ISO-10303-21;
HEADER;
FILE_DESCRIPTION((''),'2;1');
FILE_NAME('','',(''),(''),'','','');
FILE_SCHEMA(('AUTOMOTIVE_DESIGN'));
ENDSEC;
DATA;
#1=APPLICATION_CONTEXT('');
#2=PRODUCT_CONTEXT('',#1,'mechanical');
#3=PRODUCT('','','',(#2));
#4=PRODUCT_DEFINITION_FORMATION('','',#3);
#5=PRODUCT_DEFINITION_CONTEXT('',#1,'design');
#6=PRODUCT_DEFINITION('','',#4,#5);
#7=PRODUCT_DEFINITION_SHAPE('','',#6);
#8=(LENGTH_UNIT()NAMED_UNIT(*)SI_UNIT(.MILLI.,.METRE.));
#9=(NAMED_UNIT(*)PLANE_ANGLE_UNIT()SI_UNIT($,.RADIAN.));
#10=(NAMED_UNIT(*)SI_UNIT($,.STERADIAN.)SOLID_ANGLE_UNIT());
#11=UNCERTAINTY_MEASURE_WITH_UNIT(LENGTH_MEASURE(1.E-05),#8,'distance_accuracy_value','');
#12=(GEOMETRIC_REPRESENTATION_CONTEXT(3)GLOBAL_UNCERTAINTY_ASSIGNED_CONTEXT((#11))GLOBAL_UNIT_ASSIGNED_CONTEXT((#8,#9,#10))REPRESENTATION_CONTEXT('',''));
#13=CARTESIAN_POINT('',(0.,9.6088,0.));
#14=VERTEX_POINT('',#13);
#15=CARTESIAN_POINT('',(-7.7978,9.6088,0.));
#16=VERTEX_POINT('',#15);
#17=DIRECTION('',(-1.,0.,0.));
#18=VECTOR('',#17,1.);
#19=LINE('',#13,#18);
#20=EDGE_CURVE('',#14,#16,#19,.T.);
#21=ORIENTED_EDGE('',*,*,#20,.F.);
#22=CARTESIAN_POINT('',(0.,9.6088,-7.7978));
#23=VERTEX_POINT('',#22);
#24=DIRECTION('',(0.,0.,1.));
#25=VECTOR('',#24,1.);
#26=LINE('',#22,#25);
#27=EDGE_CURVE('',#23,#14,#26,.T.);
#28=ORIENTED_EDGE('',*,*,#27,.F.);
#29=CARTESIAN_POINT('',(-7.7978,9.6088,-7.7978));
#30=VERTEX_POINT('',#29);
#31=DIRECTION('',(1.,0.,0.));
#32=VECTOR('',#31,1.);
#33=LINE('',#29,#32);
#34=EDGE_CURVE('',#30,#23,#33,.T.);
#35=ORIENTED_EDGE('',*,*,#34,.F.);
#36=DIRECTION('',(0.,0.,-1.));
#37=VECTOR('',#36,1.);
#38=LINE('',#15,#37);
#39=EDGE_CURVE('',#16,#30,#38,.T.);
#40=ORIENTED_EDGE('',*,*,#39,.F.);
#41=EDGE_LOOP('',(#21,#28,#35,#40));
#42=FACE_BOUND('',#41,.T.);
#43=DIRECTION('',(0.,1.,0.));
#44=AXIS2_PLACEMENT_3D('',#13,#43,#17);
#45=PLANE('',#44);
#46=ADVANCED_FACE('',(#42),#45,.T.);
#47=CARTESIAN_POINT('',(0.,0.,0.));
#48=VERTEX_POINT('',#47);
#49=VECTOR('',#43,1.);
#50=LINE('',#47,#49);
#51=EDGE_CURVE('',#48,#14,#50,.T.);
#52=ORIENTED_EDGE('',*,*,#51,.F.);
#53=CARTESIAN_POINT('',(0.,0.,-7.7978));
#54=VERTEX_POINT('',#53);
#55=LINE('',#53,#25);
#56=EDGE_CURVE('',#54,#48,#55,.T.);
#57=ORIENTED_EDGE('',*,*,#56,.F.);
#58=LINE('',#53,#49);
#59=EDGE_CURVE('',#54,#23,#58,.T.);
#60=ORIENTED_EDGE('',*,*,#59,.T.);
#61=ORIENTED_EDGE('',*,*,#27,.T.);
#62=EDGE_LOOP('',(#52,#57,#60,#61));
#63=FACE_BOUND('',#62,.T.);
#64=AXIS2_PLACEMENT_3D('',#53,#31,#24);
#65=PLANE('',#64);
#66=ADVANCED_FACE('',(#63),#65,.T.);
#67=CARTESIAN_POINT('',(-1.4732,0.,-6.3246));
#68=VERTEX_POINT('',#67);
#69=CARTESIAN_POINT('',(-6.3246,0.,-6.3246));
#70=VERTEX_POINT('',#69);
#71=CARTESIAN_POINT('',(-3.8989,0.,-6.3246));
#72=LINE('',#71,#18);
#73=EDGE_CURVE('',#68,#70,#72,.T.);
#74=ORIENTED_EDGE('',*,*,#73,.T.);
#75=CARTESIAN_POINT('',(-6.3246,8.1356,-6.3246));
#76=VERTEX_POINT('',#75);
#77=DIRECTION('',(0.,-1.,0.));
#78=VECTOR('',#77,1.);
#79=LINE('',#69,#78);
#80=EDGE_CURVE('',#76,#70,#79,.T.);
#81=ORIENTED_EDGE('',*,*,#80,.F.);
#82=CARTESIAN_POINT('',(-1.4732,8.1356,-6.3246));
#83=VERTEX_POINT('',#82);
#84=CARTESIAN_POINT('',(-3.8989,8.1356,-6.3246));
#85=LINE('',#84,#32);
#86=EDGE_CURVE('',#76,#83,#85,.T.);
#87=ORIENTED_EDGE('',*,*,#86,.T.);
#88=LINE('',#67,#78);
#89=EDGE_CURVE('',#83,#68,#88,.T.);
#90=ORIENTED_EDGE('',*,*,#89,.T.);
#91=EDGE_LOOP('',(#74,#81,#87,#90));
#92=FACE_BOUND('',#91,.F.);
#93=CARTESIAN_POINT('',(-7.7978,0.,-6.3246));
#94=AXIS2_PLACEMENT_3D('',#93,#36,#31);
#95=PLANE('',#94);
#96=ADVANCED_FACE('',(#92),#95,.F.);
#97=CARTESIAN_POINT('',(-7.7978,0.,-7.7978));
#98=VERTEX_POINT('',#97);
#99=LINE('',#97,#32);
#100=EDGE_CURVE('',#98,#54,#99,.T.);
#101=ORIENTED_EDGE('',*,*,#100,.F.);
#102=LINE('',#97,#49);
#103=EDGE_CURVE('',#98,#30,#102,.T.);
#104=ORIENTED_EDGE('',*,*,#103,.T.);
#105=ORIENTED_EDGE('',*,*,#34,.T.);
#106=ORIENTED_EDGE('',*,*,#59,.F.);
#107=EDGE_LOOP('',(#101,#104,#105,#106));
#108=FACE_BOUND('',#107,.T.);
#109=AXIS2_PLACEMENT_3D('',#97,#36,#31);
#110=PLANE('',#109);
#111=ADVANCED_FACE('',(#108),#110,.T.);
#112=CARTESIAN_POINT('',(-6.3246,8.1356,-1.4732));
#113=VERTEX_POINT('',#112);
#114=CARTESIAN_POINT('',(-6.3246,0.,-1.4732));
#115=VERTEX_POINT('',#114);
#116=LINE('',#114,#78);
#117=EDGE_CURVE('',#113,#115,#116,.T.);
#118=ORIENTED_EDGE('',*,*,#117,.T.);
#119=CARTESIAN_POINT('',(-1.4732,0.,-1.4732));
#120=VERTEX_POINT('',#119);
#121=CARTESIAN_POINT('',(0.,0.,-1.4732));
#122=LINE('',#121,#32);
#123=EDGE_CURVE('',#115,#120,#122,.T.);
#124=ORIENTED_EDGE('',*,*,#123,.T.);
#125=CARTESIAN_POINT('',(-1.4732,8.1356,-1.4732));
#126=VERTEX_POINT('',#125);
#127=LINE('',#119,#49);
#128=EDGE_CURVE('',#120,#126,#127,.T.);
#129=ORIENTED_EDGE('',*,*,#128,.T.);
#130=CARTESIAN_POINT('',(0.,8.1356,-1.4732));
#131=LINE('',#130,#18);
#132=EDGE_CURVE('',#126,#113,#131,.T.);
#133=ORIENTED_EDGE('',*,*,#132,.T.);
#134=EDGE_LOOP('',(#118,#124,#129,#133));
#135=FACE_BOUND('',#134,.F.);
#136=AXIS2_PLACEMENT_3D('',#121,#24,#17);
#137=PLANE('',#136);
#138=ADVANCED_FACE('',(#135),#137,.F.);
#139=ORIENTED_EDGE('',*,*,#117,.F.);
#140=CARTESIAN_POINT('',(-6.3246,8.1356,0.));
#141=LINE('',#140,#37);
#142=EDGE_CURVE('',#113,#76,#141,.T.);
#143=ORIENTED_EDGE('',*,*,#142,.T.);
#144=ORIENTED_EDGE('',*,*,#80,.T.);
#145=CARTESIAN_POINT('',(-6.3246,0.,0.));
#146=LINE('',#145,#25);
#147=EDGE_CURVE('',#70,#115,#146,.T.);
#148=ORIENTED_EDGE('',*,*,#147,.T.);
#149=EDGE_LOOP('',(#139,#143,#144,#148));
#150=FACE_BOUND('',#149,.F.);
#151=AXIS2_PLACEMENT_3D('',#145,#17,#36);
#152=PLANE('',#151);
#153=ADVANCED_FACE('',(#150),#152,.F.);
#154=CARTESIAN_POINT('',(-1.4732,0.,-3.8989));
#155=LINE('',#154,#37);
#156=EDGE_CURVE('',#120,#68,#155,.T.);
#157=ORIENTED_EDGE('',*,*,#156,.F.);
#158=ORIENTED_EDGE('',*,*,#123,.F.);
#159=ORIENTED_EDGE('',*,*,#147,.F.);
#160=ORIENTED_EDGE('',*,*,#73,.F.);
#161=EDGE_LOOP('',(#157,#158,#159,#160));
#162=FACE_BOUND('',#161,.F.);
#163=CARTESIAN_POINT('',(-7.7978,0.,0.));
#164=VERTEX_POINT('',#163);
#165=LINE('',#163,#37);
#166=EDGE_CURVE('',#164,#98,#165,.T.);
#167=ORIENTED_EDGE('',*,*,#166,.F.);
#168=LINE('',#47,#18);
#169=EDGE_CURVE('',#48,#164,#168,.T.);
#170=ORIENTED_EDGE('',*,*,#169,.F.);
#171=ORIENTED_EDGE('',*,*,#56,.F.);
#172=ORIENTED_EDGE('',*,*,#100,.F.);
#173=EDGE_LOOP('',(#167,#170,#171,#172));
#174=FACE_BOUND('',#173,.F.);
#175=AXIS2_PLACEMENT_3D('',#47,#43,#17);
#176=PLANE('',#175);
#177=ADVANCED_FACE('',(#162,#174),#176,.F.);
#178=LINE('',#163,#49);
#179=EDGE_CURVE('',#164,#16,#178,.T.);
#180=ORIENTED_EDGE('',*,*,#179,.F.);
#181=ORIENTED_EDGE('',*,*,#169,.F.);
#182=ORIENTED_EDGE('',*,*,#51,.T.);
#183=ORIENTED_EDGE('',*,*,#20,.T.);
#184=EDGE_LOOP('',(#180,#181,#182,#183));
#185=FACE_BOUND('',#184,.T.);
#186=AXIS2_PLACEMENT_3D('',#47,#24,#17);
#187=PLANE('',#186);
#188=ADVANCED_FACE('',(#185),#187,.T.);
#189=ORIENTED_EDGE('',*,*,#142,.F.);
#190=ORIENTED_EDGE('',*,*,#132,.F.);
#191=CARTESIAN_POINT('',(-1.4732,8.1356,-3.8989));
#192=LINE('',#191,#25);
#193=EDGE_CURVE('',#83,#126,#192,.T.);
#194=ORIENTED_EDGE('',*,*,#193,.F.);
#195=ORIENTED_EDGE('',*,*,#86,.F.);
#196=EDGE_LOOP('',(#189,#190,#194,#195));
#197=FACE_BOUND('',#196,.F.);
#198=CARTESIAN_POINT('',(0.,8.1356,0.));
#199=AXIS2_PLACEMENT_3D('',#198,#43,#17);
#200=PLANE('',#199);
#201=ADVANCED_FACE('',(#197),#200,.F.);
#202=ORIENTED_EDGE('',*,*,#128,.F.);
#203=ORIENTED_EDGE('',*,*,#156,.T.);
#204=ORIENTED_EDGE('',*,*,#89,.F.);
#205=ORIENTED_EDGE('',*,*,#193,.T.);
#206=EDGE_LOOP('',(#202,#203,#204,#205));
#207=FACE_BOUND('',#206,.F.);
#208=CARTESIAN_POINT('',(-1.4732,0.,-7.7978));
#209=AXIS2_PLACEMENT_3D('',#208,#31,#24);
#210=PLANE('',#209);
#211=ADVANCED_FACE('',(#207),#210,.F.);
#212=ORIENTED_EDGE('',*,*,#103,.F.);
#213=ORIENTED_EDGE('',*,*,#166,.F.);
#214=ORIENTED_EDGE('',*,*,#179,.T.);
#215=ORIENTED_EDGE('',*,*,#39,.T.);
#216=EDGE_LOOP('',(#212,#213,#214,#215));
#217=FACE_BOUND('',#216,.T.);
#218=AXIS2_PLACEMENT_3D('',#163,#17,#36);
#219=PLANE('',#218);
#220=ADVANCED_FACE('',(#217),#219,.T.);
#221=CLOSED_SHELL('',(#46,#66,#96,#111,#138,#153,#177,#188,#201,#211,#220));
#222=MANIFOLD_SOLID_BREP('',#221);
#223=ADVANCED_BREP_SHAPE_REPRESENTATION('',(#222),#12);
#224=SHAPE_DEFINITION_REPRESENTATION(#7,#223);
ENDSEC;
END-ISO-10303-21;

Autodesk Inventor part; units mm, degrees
ref_plane "YZ Plane" through (0, 0, 0) normal (1, 0, 0) x (0, 1, 0)
ref_plane "XZ Plane" through (0, 0, 0) normal (0, 1, 0) x (-1, 0, 0)
ref_plane "XY Plane" through (0, 0, 0) normal (0, 0, 1) x (1, 0, 0)
sketch "Sketch1" plane through (0, 0, 0) normal (0, 1, 0) x (-1, 0, 0)
  line L0 (0, 0) -> (7.7978, 0)
  line L1 (7.7978, 0) -> (7.7978, -7.7978)
  line L2 (7.7978, -7.7978) -> (0, -7.7978)
  line L3 (0, -7.7978) -> (0, 0)
  dimension "d0" = 7.7978
  dimension "d1" = 7.7978
extrude "Extrusion1" add sketch "Sketch1" along normal blind 9.6088
shell "Shell1" thickness 1.4732 removed faces 1 at (-2.5993, 0, -2.5993)
properties part number "Sample 1x1 tall" material "ABS Plastic"
